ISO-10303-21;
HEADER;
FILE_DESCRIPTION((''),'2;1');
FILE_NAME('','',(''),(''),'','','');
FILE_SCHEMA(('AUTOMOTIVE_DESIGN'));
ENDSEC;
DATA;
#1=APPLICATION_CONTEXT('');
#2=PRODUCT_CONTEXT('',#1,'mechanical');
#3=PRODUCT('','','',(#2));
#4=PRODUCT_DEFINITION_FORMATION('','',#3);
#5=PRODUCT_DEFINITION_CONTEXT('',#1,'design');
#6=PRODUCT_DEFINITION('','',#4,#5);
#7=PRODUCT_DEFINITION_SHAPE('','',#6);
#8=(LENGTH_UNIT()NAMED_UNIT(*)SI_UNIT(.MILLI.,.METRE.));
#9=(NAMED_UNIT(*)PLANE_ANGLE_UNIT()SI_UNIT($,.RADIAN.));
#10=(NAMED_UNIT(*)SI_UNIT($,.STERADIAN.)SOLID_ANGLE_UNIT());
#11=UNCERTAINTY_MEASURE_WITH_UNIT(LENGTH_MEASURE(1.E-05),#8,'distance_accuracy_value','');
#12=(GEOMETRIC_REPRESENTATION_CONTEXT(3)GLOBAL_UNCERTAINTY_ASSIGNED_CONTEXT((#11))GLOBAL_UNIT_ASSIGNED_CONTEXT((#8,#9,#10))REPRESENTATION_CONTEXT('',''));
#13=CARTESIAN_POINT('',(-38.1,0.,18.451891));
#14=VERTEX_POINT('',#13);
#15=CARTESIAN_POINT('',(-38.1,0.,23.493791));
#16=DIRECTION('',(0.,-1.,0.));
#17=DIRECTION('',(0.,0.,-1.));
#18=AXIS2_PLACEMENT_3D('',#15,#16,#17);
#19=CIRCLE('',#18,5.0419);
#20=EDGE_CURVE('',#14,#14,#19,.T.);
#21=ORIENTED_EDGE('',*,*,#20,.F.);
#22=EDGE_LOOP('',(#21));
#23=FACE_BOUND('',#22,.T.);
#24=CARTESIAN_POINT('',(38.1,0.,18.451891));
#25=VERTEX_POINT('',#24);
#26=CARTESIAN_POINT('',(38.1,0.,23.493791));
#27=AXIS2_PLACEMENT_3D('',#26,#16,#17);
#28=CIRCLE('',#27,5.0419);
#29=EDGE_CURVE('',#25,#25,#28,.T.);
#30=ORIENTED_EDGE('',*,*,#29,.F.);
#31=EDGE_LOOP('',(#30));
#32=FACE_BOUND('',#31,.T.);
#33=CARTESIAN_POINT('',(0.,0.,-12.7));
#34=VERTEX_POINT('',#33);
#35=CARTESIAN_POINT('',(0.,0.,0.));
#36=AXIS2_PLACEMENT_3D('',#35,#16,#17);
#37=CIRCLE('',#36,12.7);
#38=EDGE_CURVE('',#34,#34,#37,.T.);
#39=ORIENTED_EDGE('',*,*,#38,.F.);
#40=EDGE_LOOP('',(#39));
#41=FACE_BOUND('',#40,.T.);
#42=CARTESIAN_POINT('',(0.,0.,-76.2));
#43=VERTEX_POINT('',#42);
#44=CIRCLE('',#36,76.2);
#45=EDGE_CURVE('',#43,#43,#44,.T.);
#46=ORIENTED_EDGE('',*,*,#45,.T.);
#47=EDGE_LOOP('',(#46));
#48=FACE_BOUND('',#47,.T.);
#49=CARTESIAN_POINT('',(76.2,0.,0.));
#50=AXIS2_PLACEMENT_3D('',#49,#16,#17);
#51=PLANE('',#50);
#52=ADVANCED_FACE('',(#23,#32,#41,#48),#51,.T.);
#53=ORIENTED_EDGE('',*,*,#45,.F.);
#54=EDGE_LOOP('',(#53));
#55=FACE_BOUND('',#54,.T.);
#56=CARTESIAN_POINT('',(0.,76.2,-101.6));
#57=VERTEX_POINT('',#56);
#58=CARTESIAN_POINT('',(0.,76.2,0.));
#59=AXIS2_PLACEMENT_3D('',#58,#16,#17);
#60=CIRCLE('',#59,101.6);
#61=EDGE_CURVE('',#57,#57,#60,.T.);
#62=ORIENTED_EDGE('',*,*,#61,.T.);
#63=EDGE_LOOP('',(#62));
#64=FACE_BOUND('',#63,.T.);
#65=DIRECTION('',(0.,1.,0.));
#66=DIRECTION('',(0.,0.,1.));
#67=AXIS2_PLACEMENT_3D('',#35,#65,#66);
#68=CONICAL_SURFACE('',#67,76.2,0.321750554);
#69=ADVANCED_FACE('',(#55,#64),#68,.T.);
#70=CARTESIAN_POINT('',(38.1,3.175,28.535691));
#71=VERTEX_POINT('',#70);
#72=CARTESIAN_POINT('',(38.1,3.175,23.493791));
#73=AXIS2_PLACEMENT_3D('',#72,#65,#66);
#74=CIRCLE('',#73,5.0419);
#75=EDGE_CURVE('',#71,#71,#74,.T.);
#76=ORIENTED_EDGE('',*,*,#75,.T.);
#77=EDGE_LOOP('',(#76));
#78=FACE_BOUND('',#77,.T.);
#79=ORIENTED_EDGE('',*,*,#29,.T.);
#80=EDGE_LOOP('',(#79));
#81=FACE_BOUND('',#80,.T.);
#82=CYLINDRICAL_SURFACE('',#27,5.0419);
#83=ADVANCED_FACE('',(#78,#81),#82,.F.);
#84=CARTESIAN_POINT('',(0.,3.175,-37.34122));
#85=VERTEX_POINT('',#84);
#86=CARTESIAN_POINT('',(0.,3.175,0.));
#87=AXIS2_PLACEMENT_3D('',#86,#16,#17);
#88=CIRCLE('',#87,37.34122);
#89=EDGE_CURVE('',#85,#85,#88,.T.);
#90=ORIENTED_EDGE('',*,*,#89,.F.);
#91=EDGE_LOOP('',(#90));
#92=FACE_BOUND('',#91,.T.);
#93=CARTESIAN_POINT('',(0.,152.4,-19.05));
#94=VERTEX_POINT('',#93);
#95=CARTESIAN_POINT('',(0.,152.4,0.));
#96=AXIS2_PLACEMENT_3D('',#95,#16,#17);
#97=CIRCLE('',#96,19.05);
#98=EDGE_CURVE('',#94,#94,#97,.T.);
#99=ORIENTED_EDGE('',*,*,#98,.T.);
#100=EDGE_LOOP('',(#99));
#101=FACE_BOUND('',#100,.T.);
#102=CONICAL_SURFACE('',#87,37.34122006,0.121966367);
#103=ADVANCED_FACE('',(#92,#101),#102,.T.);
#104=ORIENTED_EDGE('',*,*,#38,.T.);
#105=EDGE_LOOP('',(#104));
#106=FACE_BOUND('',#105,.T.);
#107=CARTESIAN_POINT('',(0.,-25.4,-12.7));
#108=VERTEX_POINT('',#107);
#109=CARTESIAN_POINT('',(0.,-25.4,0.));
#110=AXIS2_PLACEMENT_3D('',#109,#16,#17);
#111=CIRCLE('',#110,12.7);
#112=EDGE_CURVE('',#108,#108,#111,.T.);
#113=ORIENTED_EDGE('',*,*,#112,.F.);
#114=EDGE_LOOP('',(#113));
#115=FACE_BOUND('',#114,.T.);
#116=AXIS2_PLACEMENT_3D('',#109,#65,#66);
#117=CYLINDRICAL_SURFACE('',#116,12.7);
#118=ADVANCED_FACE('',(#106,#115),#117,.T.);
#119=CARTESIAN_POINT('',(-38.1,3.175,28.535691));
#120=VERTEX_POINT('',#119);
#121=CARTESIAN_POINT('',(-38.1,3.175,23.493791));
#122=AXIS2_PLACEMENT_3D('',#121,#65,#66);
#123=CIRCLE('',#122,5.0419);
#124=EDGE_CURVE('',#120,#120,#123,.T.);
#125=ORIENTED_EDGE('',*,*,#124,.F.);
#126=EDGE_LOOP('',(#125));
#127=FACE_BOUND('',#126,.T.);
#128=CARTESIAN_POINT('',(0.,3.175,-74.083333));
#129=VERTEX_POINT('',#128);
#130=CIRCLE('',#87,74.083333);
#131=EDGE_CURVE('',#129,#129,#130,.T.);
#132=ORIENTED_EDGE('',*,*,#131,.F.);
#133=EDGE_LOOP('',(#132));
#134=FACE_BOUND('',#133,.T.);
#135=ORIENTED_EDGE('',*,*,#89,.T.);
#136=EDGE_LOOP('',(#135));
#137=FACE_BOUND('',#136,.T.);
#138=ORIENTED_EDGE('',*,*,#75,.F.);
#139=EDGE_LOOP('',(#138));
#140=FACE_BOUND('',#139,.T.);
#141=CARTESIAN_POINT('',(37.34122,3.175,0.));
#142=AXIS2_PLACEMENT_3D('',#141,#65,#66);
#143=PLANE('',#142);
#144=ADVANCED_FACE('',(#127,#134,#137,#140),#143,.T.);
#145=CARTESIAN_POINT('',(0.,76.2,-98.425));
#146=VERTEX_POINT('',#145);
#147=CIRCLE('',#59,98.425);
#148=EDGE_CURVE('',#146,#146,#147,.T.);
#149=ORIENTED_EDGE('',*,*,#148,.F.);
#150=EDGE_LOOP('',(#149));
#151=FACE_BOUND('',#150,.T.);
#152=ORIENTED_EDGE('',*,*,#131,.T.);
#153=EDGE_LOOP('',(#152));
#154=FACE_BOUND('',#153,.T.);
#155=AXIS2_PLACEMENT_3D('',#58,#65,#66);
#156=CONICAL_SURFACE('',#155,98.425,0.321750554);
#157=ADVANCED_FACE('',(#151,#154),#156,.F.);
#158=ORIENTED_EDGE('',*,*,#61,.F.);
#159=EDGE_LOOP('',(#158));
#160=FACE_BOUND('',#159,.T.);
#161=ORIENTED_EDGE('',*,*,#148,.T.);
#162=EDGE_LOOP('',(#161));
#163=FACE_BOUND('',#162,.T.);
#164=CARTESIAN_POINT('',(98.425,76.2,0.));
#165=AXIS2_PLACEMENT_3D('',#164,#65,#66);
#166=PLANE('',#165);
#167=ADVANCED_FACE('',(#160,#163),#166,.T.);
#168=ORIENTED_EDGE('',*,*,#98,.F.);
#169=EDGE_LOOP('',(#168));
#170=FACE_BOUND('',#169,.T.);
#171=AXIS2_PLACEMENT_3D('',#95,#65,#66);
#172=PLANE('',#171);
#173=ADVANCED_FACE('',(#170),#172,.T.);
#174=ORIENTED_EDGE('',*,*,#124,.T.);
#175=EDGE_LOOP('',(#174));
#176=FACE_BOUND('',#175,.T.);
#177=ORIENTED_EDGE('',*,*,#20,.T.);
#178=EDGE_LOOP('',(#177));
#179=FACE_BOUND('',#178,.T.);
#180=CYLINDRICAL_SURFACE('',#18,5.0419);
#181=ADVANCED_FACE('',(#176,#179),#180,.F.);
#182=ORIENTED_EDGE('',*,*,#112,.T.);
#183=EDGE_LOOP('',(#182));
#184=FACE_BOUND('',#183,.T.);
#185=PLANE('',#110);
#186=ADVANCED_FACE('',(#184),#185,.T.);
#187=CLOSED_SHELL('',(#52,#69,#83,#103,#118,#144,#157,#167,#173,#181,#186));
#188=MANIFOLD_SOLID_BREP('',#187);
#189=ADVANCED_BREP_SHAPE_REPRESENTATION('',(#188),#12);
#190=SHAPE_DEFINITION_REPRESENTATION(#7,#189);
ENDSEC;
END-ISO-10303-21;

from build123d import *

# Parameters (mm, degrees)
F_3_8_CLEARANCE_HOLE1_D = 10.0838
SKETCH2_R               = 12.7
RF_CONNECTOR_DEPTH      = 25.4


with BuildPart() as part:
    # Sketch1 → Revolve1 (revolve)
    with BuildSketch(Plane.XY, mode=Mode.PRIVATE) as revolve1_sk:
        Polygon((0, 152.4), (19.05, 152.4), (37.34122006, 3.175), (74.083333333, 3.175), (98.425, 76.2), (101.6, 76.2), (76.2, 0), (0, 0), align=None)
    revolve(revolve1_sk.sketch.rotate(Axis((0, 0, 0), (0, 1, 0)), 90), axis=Axis((0, 0, 0), (0, 1, 0)))

    # 3/8 Clearance Hole1 (through all)
    with Locations(Plane(origin=(0, 0, 0), x_dir=(-1, 0, 0), z_dir=(0, -1, 0))):
        with Locations((38.1, -23.493790612), (-38.1, -23.493790612)):
            Hole(F_3_8_CLEARANCE_HOLE1_D / 2)

    # Sketch2 → RF Connector (add)
    with BuildSketch(Plane.XZ):
        with Locations(Location((0, 0, 0), (0, 0, 270))):
            Circle(SKETCH2_R)
    extrude(amount=RF_CONNECTOR_DEPTH)


solid = part.part
